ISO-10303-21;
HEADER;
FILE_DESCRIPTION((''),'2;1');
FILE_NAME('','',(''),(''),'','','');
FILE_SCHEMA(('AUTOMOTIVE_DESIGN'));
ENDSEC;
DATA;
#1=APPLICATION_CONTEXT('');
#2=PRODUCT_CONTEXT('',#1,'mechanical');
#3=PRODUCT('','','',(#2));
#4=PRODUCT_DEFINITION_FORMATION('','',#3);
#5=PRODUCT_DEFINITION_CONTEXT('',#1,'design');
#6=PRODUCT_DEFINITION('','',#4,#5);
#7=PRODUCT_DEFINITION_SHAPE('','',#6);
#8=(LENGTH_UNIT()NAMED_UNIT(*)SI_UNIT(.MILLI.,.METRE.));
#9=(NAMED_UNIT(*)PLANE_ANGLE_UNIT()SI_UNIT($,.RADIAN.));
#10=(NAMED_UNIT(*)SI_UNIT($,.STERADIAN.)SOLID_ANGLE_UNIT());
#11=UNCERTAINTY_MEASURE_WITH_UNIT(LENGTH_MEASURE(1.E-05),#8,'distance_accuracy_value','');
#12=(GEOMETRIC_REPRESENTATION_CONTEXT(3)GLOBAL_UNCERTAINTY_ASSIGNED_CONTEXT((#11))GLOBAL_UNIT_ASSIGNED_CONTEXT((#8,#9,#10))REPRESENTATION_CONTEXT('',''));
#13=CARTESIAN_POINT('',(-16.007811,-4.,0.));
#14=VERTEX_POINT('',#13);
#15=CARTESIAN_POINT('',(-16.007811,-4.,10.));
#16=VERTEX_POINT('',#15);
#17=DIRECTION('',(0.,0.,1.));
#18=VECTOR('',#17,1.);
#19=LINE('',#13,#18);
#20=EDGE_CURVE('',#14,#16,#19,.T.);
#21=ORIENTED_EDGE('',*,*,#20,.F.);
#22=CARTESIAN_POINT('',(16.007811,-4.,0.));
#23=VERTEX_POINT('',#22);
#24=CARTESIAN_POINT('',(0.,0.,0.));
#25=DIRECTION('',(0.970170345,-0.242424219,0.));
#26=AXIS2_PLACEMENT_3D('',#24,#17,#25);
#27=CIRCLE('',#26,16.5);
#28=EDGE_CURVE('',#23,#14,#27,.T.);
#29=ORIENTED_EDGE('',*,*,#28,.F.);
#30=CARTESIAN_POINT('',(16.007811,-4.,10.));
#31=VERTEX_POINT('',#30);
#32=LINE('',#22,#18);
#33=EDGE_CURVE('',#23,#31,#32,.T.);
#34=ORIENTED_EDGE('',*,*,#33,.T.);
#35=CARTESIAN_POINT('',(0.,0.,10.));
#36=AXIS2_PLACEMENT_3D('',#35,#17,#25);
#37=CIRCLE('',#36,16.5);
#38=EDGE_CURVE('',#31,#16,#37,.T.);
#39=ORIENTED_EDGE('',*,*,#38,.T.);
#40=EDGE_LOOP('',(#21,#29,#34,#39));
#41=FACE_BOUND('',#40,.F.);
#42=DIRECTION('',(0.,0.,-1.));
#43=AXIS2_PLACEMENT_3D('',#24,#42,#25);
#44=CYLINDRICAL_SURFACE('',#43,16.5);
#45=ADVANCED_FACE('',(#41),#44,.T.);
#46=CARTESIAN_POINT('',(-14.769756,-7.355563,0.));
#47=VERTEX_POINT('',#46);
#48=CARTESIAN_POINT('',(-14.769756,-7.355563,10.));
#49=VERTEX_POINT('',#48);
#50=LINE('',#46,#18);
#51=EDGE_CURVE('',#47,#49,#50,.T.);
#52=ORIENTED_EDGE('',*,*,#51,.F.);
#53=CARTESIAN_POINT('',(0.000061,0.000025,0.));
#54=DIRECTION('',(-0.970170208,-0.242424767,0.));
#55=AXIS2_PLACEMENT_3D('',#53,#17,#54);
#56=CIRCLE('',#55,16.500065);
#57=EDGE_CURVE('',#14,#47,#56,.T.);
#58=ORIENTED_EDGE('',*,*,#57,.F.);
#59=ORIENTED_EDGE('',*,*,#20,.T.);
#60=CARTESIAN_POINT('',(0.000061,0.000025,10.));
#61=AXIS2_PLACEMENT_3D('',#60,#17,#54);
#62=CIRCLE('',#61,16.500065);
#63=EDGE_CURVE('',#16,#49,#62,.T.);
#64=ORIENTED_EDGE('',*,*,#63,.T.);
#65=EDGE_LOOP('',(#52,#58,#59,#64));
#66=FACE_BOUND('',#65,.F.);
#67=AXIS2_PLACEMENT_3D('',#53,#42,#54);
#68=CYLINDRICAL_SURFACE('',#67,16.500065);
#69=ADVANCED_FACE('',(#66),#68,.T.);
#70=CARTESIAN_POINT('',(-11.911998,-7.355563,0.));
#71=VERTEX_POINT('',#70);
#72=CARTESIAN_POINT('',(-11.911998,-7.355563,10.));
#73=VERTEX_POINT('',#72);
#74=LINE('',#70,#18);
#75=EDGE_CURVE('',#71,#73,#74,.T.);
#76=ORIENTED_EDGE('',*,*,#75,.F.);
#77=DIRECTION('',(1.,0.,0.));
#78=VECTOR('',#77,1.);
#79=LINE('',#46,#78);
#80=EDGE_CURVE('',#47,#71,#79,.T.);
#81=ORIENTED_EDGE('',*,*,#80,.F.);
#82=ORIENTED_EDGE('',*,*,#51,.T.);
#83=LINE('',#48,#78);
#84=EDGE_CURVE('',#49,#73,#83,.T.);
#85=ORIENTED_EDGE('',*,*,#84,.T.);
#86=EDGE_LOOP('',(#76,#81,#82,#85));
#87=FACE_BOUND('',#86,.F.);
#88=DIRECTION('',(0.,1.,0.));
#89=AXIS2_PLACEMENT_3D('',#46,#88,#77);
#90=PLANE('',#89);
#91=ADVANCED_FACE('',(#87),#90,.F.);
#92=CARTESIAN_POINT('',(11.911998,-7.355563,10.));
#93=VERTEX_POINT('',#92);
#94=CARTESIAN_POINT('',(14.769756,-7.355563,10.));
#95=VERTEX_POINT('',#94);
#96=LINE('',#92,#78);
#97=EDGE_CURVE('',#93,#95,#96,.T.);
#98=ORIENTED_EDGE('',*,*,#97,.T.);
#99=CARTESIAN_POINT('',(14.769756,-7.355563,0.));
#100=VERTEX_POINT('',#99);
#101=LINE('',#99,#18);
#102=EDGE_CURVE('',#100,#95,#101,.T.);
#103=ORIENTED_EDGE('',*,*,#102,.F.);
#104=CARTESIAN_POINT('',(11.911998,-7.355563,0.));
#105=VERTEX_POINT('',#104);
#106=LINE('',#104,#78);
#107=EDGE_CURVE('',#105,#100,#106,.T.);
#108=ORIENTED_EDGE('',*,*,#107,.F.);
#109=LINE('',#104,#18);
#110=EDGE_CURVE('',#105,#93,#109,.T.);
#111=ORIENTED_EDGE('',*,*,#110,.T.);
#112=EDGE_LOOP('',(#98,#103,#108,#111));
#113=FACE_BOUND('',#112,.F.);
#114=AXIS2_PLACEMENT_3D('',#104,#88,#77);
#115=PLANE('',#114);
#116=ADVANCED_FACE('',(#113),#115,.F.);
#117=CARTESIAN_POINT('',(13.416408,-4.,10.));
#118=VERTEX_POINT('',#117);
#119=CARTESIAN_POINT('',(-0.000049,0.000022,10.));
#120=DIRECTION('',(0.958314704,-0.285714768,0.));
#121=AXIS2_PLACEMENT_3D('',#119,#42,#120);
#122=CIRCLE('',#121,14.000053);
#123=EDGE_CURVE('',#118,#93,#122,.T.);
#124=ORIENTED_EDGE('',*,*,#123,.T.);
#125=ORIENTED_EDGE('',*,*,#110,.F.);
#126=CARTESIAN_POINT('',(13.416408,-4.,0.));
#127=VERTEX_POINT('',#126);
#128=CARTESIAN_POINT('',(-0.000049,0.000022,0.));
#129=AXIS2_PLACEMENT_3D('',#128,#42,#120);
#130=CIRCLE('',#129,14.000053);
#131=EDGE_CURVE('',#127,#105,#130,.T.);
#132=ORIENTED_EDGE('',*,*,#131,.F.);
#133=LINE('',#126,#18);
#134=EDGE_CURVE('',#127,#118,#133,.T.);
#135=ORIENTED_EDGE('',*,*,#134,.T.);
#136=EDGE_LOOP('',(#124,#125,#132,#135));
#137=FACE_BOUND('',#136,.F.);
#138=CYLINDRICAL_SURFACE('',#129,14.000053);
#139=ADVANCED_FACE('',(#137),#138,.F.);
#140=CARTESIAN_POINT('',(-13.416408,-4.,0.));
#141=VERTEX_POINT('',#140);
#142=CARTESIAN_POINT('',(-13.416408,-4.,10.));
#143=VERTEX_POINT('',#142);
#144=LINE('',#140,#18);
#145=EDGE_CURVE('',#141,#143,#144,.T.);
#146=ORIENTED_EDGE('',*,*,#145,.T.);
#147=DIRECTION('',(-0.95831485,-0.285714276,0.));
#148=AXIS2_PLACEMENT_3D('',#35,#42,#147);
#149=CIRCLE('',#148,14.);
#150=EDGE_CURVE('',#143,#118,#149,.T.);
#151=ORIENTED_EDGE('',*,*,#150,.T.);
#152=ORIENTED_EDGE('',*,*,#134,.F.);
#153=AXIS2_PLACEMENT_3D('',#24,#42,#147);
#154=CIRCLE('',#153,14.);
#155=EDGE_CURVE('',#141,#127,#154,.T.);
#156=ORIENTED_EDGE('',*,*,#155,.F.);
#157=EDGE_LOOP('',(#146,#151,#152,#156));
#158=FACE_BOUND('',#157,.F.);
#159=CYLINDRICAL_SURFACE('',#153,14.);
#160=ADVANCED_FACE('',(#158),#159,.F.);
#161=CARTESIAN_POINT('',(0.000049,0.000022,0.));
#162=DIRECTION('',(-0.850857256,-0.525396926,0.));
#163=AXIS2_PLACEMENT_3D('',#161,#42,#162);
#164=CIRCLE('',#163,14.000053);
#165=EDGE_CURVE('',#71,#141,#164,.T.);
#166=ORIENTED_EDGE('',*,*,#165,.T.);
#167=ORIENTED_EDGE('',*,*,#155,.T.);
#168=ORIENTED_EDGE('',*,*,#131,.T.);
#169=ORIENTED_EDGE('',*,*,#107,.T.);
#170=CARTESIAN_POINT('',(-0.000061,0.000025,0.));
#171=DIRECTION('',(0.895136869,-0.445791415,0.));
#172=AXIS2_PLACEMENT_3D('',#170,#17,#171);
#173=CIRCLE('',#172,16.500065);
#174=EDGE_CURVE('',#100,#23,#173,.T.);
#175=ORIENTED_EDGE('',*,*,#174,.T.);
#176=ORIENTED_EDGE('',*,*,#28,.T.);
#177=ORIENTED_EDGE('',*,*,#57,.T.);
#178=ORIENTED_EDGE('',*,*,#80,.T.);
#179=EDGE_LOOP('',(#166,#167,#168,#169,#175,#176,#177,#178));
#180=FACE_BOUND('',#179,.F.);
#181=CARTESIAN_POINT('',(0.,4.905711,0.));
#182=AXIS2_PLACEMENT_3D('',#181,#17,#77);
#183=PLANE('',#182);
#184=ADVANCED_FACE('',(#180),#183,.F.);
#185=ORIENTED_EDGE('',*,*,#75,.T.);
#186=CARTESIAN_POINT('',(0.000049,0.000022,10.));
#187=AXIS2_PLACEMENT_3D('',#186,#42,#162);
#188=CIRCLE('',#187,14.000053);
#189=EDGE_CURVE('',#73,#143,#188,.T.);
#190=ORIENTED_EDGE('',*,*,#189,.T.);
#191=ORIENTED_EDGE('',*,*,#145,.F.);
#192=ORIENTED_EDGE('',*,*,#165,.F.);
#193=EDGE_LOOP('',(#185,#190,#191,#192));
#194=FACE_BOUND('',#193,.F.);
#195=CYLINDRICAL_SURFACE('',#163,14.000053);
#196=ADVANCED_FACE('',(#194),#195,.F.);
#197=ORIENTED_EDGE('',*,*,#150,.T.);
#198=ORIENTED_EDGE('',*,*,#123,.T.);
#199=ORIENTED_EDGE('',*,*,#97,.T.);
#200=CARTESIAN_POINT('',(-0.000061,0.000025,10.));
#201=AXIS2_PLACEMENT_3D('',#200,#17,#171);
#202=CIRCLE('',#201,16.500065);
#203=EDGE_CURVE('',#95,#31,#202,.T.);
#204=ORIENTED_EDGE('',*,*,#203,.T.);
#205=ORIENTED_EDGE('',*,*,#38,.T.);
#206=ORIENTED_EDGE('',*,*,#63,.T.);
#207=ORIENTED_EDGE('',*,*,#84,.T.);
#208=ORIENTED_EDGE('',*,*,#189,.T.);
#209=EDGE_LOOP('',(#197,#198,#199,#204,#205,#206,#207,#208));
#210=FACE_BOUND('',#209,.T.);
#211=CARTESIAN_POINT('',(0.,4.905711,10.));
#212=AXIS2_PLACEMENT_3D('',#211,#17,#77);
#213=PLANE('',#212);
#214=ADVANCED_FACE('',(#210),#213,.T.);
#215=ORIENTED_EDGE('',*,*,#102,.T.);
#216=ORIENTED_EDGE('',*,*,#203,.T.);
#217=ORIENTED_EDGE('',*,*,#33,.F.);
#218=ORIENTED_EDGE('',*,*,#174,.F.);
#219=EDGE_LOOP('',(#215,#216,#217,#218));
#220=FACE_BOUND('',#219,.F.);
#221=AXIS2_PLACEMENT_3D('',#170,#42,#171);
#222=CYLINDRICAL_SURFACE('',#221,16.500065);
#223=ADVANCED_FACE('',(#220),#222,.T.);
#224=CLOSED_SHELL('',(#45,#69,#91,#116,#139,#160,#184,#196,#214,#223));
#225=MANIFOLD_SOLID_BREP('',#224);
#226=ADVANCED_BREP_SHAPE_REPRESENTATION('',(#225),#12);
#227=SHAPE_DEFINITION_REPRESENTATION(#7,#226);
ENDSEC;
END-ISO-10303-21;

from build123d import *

# Parameters (mm, degrees)
F1_DEPTH = 10


with BuildPart() as f1:
    # F0 (on Top) → F1 (new body)
    with BuildSketch(Plane.XY):
        with BuildLine():
            ThreePointArc((-13.416408, -4), (0, 14), (13.416408, -4))
            ThreePointArc((13.416408, -4), (12.774857, -5.727392), (11.911998, -7.355563))
            Line((11.911998, -7.355563), (14.769756, -7.355563))
            ThreePointArc((14.769756, -7.355563), (15.479974, -5.711427), (16.007811, -4))
            ThreePointArc((16.007811, -4), (0, 16.5), (-16.007811, -4))
            ThreePointArc((-16.007811, -4), (-15.479974, -5.711427), (-14.769756, -7.355563))
            Line((-14.769756, -7.355563), (-11.911998, -7.355563))
            ThreePointArc((-11.911998, -7.355563), (-12.774857, -5.727392), (-13.416408, -4))
        make_face()
    extrude(amount=F1_DEPTH)


solid = f1.part
